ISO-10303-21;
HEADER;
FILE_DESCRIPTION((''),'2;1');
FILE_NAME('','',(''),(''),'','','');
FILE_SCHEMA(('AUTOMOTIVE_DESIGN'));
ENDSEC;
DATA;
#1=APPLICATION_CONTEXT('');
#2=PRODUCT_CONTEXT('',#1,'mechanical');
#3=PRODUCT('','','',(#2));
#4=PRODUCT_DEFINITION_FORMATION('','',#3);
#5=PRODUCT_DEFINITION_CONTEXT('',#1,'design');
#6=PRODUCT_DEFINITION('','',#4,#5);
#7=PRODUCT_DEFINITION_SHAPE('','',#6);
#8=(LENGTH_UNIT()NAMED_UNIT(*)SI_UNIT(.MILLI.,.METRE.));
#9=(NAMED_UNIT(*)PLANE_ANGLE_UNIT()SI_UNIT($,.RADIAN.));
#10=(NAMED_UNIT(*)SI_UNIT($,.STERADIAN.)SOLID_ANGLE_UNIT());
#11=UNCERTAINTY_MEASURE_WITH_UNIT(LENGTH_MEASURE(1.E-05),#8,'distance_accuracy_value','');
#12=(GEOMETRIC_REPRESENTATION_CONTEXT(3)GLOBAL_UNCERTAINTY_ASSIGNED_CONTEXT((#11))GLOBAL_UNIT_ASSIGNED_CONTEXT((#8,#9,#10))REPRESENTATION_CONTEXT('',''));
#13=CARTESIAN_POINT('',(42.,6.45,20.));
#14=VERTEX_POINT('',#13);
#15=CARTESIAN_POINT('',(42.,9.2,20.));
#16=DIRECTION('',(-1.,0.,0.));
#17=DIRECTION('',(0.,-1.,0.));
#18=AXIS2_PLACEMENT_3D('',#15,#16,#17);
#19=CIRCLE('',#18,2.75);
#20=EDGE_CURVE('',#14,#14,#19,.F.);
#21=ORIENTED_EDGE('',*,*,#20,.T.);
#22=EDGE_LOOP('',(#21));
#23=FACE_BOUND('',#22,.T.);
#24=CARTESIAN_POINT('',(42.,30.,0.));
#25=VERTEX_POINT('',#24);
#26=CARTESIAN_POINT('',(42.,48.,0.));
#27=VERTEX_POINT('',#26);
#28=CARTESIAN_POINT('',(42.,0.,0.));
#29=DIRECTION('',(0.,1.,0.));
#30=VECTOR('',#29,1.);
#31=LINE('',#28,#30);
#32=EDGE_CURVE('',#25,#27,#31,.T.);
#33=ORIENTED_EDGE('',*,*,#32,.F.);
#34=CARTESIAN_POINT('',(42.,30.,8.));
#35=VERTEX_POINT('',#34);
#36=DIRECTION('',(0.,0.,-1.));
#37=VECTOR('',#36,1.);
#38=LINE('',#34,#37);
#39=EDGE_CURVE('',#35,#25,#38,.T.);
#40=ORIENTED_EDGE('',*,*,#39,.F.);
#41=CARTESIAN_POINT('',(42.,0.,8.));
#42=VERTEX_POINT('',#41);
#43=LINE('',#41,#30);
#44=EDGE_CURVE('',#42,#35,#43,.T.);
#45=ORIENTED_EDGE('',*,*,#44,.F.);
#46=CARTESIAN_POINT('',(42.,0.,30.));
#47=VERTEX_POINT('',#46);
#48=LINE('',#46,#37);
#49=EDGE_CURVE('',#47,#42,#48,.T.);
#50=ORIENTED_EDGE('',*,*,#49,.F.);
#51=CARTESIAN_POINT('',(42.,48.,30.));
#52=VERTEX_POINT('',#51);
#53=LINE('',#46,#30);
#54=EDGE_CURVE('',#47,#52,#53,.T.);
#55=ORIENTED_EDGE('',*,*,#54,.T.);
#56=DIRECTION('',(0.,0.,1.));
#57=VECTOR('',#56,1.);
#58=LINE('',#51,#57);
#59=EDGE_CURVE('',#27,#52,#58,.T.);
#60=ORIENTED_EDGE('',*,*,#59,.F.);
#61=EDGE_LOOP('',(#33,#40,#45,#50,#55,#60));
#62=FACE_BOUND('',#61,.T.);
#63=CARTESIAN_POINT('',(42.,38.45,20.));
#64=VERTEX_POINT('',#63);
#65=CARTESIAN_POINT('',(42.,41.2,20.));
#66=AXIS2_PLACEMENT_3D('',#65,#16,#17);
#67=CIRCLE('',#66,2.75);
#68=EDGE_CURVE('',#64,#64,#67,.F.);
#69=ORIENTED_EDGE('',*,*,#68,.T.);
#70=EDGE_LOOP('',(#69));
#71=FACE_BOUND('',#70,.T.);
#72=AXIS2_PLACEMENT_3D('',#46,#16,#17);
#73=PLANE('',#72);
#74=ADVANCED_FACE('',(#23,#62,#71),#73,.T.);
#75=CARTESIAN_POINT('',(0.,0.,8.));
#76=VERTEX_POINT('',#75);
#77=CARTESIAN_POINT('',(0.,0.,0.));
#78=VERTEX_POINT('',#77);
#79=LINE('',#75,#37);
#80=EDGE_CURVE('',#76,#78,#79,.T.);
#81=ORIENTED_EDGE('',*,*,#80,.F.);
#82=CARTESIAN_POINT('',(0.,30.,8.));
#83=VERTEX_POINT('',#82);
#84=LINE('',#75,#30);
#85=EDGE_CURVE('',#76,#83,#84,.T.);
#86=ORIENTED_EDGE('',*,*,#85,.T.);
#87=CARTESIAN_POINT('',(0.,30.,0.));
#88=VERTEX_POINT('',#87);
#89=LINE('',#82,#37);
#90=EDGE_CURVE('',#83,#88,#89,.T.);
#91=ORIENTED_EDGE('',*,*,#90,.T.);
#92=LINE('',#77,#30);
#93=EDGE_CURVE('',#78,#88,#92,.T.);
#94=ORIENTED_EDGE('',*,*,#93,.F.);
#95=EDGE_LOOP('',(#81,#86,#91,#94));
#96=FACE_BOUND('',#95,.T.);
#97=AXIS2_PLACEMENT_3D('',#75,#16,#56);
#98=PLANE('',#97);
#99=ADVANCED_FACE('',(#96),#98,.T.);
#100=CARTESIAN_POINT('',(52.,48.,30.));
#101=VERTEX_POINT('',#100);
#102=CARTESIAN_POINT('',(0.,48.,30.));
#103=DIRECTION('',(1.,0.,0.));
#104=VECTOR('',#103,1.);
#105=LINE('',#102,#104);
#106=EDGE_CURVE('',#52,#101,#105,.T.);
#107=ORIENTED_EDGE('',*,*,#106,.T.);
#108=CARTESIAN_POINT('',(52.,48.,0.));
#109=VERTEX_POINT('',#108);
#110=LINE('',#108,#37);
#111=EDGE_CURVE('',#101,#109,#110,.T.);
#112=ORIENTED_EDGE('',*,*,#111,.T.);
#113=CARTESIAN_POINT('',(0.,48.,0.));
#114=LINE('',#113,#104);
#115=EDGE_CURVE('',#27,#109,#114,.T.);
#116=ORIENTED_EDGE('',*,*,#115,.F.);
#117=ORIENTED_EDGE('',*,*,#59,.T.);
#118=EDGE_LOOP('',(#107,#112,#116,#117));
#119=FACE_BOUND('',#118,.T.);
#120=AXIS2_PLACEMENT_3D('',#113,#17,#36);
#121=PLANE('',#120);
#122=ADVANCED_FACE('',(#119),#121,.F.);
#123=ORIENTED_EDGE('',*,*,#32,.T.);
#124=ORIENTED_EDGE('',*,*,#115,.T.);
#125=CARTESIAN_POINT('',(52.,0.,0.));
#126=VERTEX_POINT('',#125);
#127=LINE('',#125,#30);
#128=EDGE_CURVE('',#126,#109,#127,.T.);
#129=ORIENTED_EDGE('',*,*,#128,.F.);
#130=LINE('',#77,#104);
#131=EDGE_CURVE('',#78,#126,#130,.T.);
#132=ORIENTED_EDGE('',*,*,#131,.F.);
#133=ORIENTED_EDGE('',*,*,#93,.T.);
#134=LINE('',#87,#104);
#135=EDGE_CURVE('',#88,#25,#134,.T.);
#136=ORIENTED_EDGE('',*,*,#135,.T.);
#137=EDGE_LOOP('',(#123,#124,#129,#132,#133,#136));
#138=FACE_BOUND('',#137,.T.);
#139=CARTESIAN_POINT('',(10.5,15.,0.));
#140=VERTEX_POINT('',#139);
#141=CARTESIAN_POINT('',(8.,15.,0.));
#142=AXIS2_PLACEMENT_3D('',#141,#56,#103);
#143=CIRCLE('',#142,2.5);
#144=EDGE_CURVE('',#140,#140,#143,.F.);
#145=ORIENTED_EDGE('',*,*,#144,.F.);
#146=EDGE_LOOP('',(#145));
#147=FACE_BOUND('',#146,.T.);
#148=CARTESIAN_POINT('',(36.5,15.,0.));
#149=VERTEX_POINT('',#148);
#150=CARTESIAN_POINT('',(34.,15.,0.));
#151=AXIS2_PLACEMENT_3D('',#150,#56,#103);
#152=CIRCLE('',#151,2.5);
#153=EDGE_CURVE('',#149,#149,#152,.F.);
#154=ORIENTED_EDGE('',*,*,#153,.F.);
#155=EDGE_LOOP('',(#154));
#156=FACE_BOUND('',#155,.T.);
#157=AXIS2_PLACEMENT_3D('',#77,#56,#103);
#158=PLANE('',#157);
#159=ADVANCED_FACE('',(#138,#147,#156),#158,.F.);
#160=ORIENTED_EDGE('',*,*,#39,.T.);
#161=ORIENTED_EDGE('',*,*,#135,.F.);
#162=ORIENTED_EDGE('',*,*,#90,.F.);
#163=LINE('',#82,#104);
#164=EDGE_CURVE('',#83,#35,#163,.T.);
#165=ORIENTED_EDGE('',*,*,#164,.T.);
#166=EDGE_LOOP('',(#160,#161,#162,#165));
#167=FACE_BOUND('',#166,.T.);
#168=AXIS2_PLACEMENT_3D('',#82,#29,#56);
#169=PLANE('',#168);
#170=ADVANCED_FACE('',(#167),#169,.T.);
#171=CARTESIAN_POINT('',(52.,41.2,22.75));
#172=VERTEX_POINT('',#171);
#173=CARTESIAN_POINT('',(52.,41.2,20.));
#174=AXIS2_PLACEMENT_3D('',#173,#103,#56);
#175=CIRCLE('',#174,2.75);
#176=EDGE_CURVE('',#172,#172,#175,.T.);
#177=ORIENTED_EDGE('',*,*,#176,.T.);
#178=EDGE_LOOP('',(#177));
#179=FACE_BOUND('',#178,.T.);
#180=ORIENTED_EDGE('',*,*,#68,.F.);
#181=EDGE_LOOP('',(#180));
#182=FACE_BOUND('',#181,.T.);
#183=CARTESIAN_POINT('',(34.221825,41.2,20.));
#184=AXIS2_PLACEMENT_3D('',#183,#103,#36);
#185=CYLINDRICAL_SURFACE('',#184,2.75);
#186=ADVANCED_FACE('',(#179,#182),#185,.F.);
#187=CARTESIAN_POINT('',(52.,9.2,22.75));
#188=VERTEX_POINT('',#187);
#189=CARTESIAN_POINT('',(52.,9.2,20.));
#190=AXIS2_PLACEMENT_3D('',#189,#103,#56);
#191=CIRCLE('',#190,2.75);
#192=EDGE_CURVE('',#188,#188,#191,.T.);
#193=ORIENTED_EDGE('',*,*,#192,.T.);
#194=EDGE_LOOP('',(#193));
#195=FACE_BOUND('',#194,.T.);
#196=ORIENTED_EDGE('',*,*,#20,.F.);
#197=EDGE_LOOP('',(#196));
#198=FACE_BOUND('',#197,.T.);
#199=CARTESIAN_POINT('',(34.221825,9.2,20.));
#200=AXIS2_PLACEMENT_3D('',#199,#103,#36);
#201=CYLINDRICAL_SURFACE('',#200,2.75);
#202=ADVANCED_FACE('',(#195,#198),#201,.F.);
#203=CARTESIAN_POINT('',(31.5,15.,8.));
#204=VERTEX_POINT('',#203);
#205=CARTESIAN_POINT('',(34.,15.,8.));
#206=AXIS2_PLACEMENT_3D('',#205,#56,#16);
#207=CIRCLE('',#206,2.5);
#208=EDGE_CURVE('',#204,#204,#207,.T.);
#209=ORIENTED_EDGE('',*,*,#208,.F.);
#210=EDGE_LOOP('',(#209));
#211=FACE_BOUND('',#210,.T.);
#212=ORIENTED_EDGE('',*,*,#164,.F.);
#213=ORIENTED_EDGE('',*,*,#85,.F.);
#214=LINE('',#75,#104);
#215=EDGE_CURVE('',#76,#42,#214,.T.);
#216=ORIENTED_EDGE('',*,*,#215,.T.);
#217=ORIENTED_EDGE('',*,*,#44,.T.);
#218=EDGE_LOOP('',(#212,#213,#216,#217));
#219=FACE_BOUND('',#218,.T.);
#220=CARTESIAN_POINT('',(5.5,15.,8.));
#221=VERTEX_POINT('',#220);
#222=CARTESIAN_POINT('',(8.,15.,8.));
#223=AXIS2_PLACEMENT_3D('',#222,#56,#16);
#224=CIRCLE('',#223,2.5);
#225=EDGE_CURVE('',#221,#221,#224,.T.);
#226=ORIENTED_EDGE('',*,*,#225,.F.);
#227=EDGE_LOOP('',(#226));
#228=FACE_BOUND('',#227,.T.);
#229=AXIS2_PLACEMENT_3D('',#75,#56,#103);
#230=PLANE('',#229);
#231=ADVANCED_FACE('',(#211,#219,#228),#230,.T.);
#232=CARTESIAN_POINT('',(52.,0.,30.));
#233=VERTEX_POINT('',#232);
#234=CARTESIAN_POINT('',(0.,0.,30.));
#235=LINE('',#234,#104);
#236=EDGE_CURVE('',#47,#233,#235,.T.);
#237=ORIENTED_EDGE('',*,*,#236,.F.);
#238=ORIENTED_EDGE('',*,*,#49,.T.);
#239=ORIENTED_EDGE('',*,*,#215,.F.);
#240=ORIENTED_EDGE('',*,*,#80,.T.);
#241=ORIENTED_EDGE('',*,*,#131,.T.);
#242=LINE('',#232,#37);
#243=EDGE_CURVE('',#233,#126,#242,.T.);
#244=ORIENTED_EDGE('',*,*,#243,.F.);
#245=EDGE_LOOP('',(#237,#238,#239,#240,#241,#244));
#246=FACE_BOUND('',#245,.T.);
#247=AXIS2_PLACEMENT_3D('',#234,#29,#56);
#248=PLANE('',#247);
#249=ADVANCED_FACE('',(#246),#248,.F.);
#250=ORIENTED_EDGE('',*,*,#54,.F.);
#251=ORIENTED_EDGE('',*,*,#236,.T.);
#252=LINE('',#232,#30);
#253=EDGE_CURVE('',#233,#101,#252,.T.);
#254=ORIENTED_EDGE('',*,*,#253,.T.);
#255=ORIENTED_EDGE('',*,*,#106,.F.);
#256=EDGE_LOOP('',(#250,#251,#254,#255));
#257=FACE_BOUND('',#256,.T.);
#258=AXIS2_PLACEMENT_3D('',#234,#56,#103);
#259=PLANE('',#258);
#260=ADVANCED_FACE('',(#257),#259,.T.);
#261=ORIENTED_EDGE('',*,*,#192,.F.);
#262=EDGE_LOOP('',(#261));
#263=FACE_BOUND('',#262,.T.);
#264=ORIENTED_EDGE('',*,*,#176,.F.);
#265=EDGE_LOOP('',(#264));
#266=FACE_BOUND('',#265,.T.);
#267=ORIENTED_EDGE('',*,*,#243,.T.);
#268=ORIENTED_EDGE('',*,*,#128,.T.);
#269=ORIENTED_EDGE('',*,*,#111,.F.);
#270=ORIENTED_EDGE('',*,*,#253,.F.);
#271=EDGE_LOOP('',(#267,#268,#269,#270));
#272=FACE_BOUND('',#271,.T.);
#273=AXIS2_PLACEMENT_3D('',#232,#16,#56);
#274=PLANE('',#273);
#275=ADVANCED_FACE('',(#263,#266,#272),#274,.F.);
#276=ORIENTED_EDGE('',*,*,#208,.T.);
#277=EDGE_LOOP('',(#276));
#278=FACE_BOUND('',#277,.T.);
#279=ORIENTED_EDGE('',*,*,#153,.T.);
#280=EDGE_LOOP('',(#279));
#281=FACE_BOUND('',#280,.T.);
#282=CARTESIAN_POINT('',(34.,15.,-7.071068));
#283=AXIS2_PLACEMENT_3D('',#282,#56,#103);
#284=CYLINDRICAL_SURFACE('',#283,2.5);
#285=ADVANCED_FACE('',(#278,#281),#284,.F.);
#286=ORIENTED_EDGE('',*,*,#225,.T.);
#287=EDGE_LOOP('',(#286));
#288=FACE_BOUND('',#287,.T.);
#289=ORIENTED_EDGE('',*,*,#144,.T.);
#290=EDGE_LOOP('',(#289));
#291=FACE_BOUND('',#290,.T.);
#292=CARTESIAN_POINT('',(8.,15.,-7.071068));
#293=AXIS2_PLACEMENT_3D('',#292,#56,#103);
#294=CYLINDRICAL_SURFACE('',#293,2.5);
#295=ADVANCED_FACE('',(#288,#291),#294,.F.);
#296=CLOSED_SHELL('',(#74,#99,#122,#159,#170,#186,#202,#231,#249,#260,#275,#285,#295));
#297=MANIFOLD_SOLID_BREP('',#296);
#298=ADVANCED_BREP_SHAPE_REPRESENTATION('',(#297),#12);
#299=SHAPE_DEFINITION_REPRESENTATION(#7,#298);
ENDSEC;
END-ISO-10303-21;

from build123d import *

# Parameters (mm, degrees)
SKETCH1_W             = 42
SKETCH1_H             = 30
BOSS_EXTRUDE1_DEPTH   = 8
BOSS_EXTRUDE1_2_DEPTH = 8
BOSS_EXTRUDE2_DEPTH   = 30
SKETCH2_R             = 2.5
CUT_EXTRUDE1_DEPTH    = 8
SKETCH3_R             = 2.75
CUT_EXTRUDE2_DEPTH    = 10
SKETCH4_W             = 30
SKETCH4_H             = 100
CUT_EXTRUDE3_DEPTH    = 52


with BuildPart() as part:
    # Sketch1 → Boss-Extrude1 (new body)
    with BuildSketch(Plane.XY):
        with Locations((21, 133)):
            Rectangle(SKETCH1_W, SKETCH1_H)
    extrude(amount=BOSS_EXTRUDE1_DEPTH)



with BuildPart() as body_2:
    # Sketch1 → Boss-Extrude1 2 (new body)
    with BuildSketch(Plane.XY):
        with Locations((21, 15)):
            Rectangle(SKETCH1_W, SKETCH1_H)
    extrude(amount=BOSS_EXTRUDE1_2_DEPTH)


with BuildPart() as part_1:
    add(part.part)

    add(body_2.part)  # Boss-Extrude2 merges body 2
    # Sketch1<3> → Boss-Extrude2 (add)
    with BuildSketch(Plane.XY):
        Polygon((42, 30), (42, 0), (52, 0), (52, 148), (42, 148), (42, 118), align=None)
    extrude(amount=BOSS_EXTRUDE2_DEPTH)

    # Sketch2 → Cut-Extrude1 (cut)
    with BuildSketch(Plane.XY.offset(8)):
        with Locations((8, 133)):
            Circle(SKETCH2_R)
        with Locations((34, 133)):
            Circle(SKETCH2_R)
        with Locations((34, 15)):
            Circle(SKETCH2_R)
        with Locations((8, 15)):
            Circle(SKETCH2_R)
    extrude(amount=-CUT_EXTRUDE1_DEPTH, mode=Mode.SUBTRACT)

    # Sketch3 → Cut-Extrude2 (cut)
    with BuildSketch(Plane(origin=(52, 0, 0), x_dir=(0, 0, -1), z_dir=(1, 0, 0))):
        with Locations((-20, 138.3)):
            Circle(SKETCH3_R)
        with Locations((-20, 106.3)):
            Circle(SKETCH3_R)
        with Locations((-20, 41.2)):
            Circle(SKETCH3_R)
        with Locations((-20, 9.2)):
            Circle(SKETCH3_R)
    extrude(amount=-CUT_EXTRUDE2_DEPTH, mode=Mode.SUBTRACT)

    # Sketch4 → Cut-Extrude3 (cut)
    with BuildSketch(Plane(origin=(52, 0, 0), x_dir=(0, 0, -1), z_dir=(1, 0, 0))):
        with Locations((-15, 98)):
            Rectangle(SKETCH4_W, SKETCH4_H)
    extrude(amount=-CUT_EXTRUDE3_DEPTH, mode=Mode.SUBTRACT)


solid = part_1.part
